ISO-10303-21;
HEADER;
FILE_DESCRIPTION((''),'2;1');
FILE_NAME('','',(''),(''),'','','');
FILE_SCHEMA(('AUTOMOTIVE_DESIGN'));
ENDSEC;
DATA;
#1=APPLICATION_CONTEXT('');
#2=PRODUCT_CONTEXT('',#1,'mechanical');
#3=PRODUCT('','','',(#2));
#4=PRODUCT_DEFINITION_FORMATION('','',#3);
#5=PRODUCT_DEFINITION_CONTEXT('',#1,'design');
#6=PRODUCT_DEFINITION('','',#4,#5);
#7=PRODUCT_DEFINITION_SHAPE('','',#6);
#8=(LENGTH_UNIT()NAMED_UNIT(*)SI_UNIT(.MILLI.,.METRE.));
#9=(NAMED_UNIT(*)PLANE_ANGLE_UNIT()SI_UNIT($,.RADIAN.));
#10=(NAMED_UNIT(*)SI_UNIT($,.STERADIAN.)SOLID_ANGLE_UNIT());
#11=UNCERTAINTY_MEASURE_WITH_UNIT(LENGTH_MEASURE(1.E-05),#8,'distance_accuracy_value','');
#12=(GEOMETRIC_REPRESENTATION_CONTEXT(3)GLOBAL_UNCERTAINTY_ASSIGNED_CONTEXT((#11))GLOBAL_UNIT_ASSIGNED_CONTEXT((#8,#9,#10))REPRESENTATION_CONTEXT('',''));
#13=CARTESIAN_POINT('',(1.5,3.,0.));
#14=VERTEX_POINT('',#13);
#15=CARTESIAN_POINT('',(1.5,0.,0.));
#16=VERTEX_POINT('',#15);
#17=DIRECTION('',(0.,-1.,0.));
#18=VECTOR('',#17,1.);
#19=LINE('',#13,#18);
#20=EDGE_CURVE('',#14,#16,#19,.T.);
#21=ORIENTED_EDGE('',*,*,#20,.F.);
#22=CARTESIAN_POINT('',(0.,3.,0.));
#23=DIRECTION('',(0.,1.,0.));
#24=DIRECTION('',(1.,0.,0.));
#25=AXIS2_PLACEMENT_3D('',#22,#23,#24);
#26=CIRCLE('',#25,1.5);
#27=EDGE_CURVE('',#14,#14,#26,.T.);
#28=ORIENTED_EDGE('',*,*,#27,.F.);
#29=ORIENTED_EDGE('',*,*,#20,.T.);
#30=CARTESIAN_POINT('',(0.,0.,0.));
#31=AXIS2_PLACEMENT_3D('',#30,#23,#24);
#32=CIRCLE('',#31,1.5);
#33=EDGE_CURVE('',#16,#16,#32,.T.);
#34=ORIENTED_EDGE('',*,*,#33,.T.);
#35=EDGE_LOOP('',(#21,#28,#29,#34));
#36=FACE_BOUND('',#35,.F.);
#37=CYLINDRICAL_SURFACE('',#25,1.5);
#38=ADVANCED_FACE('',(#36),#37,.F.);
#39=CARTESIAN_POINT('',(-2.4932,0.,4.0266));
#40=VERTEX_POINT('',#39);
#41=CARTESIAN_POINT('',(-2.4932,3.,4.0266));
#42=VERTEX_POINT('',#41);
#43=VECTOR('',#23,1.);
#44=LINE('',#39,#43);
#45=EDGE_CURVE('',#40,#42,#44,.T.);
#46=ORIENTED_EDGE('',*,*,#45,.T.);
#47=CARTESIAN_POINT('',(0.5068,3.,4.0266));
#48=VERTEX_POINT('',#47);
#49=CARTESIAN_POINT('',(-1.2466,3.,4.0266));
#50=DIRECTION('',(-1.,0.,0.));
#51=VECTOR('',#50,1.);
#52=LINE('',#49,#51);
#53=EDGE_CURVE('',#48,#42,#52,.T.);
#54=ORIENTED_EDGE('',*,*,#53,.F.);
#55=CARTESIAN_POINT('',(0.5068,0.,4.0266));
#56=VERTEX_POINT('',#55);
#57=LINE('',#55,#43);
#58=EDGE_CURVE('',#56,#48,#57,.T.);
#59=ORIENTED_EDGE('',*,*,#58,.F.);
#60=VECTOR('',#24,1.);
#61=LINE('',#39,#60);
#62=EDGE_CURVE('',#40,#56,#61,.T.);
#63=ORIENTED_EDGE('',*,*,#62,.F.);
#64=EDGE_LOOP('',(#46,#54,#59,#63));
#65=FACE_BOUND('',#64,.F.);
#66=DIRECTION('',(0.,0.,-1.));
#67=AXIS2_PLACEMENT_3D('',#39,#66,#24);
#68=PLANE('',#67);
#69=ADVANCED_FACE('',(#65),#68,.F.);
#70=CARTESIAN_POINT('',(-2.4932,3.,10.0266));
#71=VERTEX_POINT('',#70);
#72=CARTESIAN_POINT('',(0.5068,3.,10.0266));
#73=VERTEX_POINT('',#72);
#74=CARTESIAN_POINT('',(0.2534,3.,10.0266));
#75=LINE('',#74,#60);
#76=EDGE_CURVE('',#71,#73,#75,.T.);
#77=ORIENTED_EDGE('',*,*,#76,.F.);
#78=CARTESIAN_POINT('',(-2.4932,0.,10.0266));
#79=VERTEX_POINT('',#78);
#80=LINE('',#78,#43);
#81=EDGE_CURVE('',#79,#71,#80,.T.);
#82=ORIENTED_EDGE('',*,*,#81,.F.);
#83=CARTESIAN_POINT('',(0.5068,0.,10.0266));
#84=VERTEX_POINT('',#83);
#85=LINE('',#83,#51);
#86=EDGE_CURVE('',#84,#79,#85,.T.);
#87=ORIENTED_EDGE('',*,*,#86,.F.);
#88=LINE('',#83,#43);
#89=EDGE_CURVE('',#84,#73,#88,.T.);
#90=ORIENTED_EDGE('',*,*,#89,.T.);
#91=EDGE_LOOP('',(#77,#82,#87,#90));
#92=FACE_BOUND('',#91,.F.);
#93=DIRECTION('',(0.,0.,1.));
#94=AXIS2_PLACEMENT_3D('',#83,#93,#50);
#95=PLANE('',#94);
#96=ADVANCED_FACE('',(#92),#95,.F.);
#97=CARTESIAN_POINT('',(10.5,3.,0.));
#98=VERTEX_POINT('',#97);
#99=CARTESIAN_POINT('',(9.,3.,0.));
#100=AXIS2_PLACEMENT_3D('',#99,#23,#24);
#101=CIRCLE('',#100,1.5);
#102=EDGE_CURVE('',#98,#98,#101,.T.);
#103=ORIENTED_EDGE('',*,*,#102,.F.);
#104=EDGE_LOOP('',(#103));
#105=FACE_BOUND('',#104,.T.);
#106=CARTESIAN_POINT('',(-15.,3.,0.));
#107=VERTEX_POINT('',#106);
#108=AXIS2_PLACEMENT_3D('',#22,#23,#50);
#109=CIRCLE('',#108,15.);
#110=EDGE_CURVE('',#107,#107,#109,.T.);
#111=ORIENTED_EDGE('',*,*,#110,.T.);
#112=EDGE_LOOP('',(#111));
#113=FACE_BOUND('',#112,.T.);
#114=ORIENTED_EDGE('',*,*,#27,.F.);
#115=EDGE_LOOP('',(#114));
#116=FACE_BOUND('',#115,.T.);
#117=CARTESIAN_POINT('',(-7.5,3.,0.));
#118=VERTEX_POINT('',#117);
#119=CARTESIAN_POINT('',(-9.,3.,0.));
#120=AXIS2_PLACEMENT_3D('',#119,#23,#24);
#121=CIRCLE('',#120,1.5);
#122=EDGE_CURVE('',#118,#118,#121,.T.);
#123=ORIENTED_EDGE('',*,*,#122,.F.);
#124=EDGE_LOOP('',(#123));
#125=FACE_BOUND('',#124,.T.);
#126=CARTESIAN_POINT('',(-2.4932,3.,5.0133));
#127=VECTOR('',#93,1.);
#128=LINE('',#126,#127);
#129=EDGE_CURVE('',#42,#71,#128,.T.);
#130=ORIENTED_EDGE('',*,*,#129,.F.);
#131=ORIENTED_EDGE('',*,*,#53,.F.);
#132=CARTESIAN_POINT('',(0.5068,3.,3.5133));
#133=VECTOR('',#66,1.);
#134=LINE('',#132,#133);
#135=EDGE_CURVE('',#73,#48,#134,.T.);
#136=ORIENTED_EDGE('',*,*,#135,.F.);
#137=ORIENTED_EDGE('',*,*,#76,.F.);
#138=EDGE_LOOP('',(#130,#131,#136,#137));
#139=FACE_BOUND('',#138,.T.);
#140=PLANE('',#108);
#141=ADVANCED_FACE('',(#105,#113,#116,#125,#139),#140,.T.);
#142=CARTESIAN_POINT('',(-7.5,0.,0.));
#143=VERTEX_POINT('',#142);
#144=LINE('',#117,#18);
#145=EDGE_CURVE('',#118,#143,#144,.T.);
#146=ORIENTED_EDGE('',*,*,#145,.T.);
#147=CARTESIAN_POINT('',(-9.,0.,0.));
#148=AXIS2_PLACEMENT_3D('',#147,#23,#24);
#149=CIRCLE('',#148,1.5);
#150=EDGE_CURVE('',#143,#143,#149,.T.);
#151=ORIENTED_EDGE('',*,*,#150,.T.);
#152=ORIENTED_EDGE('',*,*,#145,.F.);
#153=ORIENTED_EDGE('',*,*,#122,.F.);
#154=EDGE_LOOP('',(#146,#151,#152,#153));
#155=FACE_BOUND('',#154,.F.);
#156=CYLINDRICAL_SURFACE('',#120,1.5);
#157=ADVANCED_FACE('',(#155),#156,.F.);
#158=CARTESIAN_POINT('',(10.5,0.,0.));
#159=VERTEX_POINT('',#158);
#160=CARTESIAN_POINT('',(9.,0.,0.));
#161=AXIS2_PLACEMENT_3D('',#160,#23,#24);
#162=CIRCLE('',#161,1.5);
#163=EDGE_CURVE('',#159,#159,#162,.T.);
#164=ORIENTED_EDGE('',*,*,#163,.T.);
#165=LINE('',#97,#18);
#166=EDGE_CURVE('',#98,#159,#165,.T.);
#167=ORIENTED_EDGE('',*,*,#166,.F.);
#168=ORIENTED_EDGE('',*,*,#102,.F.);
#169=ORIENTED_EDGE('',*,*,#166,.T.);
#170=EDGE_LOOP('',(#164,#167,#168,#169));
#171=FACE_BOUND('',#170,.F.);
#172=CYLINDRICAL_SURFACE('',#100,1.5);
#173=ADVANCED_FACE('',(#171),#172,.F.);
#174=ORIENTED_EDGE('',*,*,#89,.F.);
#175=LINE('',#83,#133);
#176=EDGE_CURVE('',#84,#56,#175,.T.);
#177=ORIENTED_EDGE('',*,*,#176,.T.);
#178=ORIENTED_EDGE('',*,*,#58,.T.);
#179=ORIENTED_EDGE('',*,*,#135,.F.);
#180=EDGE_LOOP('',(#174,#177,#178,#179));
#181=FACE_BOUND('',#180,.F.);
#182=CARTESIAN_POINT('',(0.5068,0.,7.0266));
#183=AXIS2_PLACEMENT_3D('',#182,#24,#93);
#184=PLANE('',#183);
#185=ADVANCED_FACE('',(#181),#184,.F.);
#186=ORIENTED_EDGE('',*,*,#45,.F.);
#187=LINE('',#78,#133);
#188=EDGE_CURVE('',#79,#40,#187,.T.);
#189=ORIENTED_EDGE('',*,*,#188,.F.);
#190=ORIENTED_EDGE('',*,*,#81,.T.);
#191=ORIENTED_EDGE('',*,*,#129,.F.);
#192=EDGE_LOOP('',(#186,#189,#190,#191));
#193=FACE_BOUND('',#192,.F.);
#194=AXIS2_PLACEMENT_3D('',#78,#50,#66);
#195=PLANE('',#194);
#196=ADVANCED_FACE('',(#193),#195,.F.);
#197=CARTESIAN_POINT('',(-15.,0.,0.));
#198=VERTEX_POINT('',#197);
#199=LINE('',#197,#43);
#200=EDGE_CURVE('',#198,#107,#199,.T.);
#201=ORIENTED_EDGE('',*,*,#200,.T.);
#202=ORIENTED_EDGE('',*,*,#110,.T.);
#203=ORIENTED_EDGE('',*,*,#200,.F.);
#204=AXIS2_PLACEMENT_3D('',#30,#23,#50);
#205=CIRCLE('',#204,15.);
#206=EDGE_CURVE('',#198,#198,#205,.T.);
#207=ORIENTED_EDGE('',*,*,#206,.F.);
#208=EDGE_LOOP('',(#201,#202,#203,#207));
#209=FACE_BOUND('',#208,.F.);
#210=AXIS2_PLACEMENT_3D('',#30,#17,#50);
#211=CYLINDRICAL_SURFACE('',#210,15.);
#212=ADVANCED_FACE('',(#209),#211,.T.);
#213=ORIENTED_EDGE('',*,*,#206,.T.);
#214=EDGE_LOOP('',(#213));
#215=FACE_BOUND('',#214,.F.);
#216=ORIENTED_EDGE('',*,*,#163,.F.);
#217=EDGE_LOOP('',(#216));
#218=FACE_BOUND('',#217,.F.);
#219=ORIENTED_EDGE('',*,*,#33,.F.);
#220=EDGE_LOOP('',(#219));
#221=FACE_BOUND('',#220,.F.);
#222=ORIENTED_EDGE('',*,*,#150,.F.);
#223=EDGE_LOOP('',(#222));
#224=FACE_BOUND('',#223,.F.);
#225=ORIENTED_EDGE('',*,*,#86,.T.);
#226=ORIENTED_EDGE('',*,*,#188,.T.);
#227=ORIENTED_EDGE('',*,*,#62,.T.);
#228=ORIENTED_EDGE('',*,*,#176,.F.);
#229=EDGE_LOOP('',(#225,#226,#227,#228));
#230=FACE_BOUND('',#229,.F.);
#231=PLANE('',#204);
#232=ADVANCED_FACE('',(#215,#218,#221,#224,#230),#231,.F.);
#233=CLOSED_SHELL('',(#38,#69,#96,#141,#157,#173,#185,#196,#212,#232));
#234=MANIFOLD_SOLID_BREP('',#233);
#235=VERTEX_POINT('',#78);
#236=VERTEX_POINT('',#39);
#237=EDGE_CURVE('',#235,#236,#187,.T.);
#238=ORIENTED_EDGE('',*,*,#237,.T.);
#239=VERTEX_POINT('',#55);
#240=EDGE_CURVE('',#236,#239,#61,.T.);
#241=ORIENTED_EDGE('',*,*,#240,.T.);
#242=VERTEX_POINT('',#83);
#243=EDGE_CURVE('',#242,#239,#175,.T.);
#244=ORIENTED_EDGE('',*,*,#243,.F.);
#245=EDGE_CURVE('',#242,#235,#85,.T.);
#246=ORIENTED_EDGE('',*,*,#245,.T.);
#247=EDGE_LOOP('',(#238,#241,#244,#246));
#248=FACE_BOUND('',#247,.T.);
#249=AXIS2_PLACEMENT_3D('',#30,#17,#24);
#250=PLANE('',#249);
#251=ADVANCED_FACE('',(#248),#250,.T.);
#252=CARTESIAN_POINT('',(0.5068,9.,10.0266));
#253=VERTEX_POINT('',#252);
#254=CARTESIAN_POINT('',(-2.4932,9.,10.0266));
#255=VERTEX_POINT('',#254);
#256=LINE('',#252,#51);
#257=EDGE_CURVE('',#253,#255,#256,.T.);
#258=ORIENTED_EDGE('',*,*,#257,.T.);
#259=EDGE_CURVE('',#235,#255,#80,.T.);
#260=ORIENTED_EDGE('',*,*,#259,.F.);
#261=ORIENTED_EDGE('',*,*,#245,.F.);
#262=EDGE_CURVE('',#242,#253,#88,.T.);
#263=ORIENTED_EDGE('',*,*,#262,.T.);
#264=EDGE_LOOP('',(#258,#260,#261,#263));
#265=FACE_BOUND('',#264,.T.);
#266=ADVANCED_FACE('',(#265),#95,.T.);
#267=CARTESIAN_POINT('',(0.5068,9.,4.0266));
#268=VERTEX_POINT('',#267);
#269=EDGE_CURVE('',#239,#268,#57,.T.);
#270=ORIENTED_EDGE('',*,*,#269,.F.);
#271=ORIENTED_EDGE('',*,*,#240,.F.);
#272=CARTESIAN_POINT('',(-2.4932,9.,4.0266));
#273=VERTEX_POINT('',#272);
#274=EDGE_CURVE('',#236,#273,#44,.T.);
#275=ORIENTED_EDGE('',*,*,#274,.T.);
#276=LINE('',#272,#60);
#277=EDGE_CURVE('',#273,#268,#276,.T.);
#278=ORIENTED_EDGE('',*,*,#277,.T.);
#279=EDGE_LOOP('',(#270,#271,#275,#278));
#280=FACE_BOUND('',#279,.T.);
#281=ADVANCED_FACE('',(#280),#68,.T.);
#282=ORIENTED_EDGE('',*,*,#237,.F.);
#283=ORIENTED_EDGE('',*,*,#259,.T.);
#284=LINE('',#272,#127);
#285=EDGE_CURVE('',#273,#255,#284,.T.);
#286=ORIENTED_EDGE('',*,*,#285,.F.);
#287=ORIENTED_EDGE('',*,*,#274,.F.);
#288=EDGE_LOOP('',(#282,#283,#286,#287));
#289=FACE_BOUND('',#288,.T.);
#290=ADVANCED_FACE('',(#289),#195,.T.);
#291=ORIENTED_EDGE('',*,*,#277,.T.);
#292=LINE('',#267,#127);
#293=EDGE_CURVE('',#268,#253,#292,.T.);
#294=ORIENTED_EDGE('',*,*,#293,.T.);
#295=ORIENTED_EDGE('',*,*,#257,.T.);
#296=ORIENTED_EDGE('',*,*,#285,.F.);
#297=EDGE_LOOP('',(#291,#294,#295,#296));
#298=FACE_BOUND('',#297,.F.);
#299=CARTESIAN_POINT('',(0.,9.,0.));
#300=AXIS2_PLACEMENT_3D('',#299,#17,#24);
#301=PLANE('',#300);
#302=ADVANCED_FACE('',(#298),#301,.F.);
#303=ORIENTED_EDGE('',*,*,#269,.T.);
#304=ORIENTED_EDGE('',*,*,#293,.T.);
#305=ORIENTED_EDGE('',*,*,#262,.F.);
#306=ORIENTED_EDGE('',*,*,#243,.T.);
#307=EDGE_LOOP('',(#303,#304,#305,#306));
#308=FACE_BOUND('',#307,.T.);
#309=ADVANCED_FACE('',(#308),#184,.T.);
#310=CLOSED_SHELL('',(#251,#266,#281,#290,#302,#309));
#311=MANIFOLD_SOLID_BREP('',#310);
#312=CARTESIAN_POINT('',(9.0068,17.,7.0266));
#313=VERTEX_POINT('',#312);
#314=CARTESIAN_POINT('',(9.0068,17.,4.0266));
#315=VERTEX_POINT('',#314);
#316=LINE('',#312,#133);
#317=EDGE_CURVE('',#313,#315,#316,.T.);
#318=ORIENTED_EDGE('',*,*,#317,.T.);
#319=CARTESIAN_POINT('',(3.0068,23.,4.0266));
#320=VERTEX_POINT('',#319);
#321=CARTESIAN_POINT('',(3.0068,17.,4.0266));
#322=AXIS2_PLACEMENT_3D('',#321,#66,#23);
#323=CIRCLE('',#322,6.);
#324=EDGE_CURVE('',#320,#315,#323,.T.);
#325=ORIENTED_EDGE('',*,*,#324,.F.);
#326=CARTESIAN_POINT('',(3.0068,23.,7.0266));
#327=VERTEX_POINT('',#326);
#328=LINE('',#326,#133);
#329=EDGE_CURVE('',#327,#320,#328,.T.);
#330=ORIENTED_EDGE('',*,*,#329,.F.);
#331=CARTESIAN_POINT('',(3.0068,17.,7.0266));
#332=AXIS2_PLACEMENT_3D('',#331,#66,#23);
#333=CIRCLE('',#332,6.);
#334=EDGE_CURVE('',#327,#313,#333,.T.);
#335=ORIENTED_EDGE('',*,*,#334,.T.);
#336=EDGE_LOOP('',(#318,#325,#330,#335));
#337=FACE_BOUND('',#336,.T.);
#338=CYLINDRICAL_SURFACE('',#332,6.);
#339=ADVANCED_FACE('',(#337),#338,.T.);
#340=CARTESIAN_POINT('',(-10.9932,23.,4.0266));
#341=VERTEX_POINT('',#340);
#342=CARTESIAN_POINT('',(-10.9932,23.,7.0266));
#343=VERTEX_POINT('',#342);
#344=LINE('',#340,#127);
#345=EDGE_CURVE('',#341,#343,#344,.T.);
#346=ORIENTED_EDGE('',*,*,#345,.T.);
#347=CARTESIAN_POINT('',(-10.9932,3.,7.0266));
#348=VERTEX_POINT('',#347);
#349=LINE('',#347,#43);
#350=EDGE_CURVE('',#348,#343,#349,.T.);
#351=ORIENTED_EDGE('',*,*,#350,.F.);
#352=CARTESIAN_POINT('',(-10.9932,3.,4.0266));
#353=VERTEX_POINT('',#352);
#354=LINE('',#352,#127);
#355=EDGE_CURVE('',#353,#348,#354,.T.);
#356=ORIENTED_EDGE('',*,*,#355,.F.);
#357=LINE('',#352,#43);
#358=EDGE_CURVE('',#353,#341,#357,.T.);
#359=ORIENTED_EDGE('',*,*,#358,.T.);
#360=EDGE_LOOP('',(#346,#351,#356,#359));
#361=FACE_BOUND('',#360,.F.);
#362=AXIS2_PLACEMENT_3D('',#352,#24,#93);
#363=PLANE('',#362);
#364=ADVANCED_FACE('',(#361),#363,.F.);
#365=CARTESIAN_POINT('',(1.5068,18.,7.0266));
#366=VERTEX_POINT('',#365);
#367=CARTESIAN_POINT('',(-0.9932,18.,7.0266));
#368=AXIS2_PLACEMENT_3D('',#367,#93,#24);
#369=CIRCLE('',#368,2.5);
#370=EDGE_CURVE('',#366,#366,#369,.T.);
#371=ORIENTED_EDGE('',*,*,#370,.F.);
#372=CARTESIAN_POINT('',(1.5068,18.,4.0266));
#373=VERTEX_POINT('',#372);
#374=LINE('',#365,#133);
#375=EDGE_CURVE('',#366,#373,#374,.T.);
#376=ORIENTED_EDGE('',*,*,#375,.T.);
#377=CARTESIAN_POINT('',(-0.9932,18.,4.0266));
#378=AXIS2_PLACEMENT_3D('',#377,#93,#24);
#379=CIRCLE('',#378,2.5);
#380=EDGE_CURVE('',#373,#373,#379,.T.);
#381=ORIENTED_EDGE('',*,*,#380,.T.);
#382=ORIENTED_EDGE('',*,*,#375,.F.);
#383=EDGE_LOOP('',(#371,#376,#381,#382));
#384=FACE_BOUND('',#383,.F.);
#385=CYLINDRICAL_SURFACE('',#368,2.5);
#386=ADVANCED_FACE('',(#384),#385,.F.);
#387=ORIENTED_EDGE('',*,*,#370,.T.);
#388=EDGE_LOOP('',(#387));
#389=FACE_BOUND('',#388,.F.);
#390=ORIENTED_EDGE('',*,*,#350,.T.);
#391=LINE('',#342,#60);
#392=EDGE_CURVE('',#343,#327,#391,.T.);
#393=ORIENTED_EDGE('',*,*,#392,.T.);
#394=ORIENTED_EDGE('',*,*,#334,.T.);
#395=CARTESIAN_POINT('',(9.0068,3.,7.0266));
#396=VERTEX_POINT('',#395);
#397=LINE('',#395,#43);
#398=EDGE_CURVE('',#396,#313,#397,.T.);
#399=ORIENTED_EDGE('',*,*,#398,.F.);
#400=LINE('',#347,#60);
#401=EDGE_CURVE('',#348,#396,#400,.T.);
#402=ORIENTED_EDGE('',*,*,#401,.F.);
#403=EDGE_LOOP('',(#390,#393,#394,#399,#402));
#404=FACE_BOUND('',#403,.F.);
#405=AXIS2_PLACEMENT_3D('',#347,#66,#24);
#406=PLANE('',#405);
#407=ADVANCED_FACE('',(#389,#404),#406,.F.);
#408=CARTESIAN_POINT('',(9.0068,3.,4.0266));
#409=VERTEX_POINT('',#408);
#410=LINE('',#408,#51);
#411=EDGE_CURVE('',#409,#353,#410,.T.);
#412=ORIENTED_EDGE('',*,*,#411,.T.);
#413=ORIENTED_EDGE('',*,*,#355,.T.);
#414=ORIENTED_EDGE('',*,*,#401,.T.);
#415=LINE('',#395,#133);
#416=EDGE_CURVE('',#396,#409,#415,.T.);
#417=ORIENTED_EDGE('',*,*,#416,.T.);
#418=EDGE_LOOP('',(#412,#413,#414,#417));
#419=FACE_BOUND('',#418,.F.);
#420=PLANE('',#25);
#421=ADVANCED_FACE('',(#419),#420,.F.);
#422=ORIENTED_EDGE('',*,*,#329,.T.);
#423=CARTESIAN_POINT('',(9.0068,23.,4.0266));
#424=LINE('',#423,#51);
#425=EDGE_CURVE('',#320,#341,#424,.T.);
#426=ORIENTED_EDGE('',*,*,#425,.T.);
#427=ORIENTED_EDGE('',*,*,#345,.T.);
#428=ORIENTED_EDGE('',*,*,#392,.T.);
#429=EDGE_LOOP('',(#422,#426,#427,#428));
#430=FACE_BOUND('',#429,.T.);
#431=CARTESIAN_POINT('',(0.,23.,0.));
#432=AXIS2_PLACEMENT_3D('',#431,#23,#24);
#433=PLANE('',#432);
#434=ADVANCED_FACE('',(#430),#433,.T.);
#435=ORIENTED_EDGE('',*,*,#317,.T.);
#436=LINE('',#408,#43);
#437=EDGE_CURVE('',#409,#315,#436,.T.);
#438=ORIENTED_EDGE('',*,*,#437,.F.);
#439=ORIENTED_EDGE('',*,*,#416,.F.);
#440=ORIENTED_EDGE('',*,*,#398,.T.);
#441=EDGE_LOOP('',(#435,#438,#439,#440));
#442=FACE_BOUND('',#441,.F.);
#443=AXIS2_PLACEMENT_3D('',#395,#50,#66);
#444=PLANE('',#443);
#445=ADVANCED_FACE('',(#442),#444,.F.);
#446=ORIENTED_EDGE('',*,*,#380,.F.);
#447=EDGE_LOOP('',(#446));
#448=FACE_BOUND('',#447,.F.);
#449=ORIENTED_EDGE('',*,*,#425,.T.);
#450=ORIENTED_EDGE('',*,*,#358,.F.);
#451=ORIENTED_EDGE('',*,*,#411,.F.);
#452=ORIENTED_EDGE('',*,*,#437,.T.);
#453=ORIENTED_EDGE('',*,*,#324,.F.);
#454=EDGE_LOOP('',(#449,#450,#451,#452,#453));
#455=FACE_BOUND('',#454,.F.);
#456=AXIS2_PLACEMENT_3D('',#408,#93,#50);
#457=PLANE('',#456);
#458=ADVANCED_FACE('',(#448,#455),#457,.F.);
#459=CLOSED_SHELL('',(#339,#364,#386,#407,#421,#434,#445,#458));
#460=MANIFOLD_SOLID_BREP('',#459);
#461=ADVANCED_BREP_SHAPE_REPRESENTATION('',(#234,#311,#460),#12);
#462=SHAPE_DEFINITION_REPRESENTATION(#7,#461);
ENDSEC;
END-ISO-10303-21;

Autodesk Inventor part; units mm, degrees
ref_plane "YZ Plane" through (0, 0, 0) normal (1, 0, 0) x (0, 1, 0)
ref_plane "XZ Plane" through (0, 0, 0) normal (0, 1, 0) x (-1, 0, 0)
ref_plane "XY Plane" through (0, 0, 0) normal (0, 0, 1) x (1, 0, 0)
sketch "草圖1" plane through (0, 0, 0) normal (0, 1, 0) x (-1, 0, 0)
  circle A0 centre (0, 0) radius 15
  dimension "d0" = 30
extrude "擠出1" add sketch "草圖1" along normal blind 3
sketch "草圖2" plane through (0, 3, 0) normal (0, 1, 0) x (1, 0, 0)
  line L0 (-21, 0) -> (21, 0) construction
  circle A0 centre (-9, 0) radius 1.5
  circle A1 centre (0, 0) radius 1.5
  circle A2 centre (9, 0) radius 1.5
  dimension "d4" = 3
  dimension "d7" = 9
extrude "擠出2" cut sketch "草圖2" against normal up to surface (3 mm away)
sketch "草圖3" plane through (0, 3, 0) normal (0, 1, 0) x (1, 0, 0)
  line L0 (-10.9932, -7.0266) -> (9.0068, -7.0266)
  line L1 (9.0068, -7.0266) -> (9.0068, -4.0266)
  line L2 (9.0068, -4.0266) -> (-10.9932, -4.0266)
  line L3 (-10.9932, -4.0266) -> (-10.9932, -7.0266)
  point P0 (0, 0)
  dimension "d14" = 20
  dimension "d15" = 3
extrude "擠出3" add sketch "草圖3" along normal blind 20 separate body
sketch "草圖4" plane through (-10.9932, 3, 7.0266) normal (0, 0, 1) x (1, 0, 0)
  line L0 (20, 0) -> (0, 0) construction
  line L1 (20, 0) -> (20, 20) construction
  line L2 (0, 20) -> (20, 20) construction
  line L3 (0, 0) -> (0, 20) construction
  line L4 (0, 20) -> (10, 20) construction
  line L5 (10, 20) -> (10, 15) construction
  line L6 (10, 15) -> (0, 15) construction
  line L7 (0, 15) -> (0, 20) construction
  circle A0 centre (10, 15) radius 2.5
  point P0 (10.9932, -3)
  dimension "d18" = 15
  dimension "d19" = 5
extrude "擠出4" cut sketch "草圖4" against normal up to surface (3 mm away) bodies 2
sketch "草圖5" plane through (0, 0, 0) normal (0, -1, 0) x (1, 0, 0)
  line L0 (0.5068, 10.0266) -> (-2.4932, 10.0266)
  line L1 (-2.4932, 10.0266) -> (-2.4932, 4.0266)
  line L2 (-2.4932, 4.0266) -> (0.5068, 4.0266)
  line L3 (0.5068, 4.0266) -> (0.5068, 10.0266)
  line L4 (9.0068, 7.0266) -> (9.0068, 4.0266) projected
  line L5 (9.0068, 4.0266) -> (-10.9932, 4.0266) projected
  line L6 (-10.9932, 4.0266) -> (-10.9932, 7.0266) projected
  line L7 (-10.9932, 7.0266) -> (9.0068, 7.0266) projected
  point P0 (0, 0)
  point P1 (-0.9932, 4.0266)
  dimension "d22" = 6
extrude "擠出5" cut sketch "草圖5" against normal blind 9 contours L3 L7 L1 L0 | L3 L2 L1 L7 bodies 1
extrude "擠出6" add sketch "草圖5" against normal blind 9 separate body contours L3 L7 L1 L0 | L3 L2 L1 L7
fillet "圓角1" radius 6 1 edges at (9.0068, 23, 5.5266)
equation "\"d16\" = d14"
properties part number "Pad_1"
